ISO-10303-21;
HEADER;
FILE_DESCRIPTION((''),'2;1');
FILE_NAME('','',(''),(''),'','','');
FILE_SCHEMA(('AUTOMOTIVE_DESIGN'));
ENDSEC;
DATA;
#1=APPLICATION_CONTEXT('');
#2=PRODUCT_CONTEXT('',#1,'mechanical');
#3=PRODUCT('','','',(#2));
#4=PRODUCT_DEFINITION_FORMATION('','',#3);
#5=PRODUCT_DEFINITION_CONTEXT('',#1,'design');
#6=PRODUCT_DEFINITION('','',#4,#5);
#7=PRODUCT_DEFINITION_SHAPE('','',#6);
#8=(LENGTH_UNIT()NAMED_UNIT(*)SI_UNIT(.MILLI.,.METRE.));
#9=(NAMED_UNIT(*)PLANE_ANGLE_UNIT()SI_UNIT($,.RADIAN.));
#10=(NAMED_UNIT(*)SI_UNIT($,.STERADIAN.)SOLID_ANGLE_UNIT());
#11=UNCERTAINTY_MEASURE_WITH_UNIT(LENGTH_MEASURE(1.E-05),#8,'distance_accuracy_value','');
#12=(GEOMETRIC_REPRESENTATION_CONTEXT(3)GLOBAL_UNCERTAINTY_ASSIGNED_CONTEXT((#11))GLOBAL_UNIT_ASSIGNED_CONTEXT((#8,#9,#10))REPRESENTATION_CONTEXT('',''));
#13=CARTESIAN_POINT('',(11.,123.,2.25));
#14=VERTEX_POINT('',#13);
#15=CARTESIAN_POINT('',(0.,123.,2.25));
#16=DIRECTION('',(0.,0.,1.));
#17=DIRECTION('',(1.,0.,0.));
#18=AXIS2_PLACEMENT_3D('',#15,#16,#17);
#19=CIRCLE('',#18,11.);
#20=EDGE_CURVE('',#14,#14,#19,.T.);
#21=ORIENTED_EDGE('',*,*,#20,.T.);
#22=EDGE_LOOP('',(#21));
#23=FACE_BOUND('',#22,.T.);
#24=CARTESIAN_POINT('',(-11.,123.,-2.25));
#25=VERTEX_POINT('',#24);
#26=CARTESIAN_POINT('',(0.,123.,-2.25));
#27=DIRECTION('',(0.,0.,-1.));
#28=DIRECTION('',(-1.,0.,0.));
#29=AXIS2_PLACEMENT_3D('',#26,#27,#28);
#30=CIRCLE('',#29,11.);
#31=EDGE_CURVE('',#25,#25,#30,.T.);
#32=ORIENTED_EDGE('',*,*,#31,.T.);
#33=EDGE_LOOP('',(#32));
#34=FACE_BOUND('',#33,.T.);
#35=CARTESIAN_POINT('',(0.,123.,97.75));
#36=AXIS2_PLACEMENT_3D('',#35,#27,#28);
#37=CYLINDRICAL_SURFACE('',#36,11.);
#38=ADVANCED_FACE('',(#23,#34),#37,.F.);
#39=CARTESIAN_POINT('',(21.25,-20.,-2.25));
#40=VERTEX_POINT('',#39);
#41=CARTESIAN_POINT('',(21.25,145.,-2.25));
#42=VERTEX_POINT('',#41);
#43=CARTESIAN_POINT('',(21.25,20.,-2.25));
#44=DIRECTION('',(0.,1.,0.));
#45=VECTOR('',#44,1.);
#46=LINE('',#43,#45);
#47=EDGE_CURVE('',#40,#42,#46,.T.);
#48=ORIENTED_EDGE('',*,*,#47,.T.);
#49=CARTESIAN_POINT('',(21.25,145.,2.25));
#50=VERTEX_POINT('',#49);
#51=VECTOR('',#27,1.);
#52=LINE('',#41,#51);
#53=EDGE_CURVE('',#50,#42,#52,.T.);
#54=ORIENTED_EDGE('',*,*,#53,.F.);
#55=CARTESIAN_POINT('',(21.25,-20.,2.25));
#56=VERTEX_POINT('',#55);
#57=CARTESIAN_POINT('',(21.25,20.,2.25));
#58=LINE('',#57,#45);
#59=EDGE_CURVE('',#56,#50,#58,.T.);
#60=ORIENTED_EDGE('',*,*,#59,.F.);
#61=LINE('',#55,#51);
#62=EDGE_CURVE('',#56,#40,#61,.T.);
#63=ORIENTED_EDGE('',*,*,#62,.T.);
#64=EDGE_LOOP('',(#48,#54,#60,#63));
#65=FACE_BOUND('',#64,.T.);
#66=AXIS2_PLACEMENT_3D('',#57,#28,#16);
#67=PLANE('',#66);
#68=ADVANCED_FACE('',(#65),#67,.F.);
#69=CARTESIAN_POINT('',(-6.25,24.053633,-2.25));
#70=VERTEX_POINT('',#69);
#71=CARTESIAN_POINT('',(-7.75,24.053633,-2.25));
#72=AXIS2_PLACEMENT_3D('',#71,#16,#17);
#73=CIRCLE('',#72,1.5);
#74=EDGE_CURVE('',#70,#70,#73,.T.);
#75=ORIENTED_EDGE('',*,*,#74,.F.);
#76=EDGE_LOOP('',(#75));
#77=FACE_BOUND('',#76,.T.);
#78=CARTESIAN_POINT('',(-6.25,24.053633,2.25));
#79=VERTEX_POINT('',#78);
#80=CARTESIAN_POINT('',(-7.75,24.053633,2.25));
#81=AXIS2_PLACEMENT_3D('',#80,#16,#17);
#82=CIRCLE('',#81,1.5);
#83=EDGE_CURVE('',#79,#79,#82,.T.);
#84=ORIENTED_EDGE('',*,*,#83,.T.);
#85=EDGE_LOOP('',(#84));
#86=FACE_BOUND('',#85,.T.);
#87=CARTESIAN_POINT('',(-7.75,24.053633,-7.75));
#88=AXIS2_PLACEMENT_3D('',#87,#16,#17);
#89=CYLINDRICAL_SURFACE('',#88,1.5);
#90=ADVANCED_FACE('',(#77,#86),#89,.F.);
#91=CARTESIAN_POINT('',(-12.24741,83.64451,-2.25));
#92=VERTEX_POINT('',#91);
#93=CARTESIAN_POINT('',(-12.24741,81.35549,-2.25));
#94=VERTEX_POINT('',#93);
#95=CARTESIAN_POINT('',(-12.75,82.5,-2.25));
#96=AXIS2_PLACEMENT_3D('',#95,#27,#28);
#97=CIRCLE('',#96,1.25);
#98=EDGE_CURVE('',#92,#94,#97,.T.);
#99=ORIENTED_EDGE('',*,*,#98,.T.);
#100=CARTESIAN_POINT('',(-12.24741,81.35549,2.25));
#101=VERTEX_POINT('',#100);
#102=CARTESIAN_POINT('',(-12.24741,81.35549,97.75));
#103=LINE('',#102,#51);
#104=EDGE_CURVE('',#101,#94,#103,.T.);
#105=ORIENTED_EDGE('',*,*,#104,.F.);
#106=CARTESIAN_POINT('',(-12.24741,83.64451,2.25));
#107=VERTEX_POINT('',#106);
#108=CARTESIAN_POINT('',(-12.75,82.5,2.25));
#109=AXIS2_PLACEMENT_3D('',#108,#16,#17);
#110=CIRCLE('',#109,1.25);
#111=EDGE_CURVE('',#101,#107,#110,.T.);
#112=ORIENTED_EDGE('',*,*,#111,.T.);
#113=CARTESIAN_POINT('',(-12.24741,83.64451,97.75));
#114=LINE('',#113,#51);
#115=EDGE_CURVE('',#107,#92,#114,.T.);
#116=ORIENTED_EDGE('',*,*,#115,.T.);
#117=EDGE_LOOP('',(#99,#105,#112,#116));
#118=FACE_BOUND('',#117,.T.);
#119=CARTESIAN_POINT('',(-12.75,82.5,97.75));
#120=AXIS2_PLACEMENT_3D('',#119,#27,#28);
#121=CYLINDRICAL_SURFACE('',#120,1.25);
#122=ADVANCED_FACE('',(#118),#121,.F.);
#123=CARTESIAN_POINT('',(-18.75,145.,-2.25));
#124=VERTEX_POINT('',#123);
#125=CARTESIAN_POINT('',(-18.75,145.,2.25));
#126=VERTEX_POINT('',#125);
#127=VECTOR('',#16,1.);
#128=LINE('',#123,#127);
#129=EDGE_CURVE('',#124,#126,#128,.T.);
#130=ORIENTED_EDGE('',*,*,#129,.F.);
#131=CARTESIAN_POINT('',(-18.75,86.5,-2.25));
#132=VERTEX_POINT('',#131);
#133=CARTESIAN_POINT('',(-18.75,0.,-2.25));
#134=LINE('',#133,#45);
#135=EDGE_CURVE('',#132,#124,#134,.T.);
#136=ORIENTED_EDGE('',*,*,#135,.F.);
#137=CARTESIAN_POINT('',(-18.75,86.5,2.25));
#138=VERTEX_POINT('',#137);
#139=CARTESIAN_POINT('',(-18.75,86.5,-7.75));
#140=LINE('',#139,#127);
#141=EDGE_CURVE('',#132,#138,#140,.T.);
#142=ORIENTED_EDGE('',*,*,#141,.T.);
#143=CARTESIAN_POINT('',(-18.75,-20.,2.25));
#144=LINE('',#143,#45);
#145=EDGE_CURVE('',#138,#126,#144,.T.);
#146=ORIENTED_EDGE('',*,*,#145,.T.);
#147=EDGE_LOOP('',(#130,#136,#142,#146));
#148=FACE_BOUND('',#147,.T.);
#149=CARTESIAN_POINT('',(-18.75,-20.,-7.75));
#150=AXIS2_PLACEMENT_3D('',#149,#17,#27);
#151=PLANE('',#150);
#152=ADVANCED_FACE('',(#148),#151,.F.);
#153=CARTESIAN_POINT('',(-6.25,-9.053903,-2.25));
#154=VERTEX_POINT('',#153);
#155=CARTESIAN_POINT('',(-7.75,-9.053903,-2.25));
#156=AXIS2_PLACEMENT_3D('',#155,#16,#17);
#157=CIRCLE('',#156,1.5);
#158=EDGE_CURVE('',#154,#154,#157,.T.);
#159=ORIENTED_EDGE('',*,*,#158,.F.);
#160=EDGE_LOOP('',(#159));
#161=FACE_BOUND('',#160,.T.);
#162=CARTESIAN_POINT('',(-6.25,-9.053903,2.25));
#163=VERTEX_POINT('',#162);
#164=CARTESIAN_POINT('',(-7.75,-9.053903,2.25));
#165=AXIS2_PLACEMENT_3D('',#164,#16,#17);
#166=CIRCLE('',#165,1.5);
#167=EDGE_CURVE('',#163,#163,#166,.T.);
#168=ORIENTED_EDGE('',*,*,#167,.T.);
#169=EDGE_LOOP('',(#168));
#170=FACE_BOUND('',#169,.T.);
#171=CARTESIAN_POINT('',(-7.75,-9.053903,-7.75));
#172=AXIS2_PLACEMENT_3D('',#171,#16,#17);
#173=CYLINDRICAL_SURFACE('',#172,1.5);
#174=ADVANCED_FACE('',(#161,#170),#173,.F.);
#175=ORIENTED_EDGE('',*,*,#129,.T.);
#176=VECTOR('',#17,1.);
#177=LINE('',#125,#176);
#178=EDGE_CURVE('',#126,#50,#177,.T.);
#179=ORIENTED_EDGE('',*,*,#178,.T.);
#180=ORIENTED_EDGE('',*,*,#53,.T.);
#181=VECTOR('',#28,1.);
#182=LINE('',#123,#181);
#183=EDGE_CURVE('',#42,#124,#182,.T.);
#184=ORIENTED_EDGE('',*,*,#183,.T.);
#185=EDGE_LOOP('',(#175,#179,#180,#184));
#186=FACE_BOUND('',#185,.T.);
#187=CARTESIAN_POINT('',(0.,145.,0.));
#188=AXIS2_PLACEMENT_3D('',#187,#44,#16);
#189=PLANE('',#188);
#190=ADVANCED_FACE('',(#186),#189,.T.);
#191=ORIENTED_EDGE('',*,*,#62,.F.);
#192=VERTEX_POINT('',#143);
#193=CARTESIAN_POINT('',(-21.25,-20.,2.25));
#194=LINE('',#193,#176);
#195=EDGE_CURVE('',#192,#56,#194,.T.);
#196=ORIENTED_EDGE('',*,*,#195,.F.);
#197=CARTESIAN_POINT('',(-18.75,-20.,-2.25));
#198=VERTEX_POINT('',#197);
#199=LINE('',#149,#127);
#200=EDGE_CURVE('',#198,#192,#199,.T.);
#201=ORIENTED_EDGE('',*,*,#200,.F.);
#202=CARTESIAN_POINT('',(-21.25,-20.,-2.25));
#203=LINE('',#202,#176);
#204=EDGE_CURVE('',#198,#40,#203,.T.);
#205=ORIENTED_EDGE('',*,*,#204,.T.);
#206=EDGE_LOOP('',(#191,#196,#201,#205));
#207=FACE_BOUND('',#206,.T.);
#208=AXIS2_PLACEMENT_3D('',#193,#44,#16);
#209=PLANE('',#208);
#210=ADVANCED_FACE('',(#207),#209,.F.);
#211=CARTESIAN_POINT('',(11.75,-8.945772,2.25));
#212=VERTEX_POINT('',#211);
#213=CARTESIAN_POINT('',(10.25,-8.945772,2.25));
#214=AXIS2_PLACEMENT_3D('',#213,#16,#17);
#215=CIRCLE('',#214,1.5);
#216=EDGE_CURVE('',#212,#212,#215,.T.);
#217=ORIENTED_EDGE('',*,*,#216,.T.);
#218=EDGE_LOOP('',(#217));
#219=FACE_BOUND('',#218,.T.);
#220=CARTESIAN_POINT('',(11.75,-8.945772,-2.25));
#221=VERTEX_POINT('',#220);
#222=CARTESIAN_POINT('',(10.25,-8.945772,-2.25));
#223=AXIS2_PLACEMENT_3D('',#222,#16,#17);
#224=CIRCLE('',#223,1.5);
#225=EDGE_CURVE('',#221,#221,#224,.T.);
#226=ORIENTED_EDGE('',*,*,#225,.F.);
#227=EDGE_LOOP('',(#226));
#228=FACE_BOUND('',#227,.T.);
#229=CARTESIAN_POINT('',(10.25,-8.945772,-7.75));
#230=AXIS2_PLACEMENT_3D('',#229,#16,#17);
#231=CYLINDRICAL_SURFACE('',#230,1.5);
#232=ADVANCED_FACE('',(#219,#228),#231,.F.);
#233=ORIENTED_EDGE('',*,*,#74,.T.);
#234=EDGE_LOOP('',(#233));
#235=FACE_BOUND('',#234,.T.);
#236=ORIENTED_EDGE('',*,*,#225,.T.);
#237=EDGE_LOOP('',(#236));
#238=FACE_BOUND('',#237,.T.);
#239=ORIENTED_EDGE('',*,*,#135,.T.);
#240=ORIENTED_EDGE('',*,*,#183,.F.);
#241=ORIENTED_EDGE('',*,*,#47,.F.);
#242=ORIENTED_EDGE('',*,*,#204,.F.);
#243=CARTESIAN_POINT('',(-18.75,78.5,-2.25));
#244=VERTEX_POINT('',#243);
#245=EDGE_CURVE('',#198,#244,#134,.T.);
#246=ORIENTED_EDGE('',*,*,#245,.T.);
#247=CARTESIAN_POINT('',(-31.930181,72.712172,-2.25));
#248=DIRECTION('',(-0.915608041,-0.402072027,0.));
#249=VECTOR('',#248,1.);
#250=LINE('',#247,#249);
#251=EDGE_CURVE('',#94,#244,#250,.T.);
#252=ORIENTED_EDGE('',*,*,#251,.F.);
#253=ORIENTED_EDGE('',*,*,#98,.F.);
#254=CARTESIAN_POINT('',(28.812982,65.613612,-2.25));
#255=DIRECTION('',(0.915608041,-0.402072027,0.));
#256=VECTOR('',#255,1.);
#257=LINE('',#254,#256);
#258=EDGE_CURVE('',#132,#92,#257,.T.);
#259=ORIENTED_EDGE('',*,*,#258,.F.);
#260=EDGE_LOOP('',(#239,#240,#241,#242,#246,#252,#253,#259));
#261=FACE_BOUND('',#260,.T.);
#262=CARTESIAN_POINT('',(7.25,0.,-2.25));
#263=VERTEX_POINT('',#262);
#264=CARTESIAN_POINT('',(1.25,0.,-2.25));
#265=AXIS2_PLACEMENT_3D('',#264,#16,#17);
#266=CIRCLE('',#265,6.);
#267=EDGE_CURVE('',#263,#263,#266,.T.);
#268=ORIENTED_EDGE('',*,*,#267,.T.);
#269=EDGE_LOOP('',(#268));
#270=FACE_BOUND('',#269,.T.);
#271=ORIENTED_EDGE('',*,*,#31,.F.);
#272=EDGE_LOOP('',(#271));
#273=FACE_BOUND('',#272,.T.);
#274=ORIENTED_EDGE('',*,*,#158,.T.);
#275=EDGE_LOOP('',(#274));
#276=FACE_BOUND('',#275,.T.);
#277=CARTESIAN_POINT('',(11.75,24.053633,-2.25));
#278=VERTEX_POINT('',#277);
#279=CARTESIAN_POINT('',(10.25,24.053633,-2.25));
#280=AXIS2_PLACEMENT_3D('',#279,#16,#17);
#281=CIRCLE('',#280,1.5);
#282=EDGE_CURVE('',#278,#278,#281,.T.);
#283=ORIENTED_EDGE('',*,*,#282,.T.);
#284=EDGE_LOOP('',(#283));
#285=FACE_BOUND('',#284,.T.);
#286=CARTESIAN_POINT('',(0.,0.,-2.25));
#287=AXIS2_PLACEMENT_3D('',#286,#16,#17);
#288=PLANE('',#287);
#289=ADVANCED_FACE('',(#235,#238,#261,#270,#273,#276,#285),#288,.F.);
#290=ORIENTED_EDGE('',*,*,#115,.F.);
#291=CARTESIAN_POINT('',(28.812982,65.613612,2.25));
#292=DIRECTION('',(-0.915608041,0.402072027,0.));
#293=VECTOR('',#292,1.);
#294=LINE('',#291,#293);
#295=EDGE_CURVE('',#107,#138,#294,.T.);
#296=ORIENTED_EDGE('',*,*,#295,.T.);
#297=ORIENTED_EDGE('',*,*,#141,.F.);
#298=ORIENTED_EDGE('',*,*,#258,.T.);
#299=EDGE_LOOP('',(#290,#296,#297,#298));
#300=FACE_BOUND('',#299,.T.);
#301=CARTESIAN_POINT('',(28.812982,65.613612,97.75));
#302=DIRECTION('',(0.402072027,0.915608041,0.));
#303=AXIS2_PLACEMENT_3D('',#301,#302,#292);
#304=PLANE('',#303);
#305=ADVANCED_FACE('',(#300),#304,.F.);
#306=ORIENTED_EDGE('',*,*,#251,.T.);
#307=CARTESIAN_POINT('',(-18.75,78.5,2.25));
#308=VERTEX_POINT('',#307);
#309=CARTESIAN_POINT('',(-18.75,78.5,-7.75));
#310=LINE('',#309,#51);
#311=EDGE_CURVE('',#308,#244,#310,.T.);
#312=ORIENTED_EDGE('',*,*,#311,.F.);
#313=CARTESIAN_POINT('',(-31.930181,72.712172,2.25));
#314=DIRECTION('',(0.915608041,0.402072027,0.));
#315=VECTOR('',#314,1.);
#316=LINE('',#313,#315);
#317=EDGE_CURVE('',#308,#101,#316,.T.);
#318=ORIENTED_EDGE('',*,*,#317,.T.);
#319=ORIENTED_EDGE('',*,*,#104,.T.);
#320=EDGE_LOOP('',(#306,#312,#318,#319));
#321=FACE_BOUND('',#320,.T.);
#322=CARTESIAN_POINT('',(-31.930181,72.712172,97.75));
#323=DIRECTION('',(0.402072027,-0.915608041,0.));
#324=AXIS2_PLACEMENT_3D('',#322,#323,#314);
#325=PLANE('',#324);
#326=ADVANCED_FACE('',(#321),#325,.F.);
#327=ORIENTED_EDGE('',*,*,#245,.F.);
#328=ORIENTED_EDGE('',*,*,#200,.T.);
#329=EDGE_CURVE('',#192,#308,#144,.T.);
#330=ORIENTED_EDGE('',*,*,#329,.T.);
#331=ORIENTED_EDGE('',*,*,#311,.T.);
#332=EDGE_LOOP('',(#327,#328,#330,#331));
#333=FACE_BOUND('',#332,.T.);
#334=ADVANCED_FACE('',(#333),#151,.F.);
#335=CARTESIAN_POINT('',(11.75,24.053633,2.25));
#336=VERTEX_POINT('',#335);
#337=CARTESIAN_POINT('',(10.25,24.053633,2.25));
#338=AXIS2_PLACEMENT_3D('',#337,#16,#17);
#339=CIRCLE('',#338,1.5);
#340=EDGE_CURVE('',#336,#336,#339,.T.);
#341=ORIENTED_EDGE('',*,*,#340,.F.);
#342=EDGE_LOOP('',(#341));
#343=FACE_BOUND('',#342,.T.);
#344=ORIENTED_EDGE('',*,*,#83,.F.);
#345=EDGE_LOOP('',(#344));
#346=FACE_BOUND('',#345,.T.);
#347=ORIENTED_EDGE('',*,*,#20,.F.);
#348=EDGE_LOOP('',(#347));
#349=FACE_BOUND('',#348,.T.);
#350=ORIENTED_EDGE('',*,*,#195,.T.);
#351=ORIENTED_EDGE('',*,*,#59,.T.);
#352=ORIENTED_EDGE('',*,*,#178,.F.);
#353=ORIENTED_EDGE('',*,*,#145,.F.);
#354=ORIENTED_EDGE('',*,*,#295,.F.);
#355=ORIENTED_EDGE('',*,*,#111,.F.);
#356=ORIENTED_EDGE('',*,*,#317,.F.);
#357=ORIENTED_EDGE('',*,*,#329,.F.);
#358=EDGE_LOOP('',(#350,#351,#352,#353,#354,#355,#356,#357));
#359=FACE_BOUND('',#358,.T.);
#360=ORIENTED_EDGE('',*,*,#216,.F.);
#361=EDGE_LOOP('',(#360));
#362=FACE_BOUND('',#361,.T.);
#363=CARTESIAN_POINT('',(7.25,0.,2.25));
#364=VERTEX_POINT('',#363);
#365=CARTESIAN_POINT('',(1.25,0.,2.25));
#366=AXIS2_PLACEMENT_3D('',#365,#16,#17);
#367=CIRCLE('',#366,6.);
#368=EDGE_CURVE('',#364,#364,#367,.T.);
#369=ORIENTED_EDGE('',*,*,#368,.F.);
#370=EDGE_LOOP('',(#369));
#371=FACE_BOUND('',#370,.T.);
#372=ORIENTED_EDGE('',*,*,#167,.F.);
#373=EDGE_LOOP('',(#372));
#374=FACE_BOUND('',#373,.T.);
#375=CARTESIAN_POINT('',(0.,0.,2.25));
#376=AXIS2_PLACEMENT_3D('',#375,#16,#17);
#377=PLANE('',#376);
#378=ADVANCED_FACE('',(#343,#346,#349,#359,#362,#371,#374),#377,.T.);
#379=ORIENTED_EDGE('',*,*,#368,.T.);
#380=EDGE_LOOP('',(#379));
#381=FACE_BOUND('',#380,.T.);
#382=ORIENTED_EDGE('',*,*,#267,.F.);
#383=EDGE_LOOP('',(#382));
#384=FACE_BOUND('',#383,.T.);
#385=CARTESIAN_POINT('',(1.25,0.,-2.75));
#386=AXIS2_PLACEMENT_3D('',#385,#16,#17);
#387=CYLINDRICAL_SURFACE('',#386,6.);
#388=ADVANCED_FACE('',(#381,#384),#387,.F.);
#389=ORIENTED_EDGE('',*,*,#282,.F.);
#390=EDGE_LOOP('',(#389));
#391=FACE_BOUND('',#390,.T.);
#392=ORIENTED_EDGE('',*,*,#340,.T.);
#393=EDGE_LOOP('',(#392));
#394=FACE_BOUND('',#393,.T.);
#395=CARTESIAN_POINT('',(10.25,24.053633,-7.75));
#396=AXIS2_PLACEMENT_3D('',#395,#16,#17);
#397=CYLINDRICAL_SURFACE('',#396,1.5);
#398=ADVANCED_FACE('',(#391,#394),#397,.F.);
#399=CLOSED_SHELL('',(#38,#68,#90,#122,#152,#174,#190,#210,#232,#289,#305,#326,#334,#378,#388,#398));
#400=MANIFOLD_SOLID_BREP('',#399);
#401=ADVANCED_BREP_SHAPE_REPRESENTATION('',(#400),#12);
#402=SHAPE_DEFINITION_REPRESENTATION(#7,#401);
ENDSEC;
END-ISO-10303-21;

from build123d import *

# Parameters (mm, degrees)
SKETCH1_W           = 42.5
SKETCH1_H           = 40
BOSS_EXTRUDE1_DEPTH = 2.25
SKETCH3_R           = 6
CUT_EXTRUDE2_DEPTH  = 5
SKETCH4_W           = 42.5
SKETCH4_H           = 4.5
BOSS_EXTRUDE2_DEPTH = 15
SKETCH7_R           = 1.5
CUT_EXTRUDE3_DEPTH  = 10
SKETCH8_W           = 2.5
SKETCH8_H           = 55
CUT_EXTRUDE4_DEPTH  = 10
SKETCH9_W           = 40
SKETCH9_H           = 4.5
BOSS_EXTRUDE3_DEPTH = 110
SKETCH11_R          = 11
CUT_EXTRUDE5_DEPTH  = 100
CUT_EXTRUDE6_DEPTH  = 100


with BuildPart() as part:
    # Sketch1 → Boss-Extrude1 (new, symmetric)
    with BuildSketch(Plane.XY):
        Rectangle(SKETCH1_W, SKETCH1_H)
    extrude(amount=BOSS_EXTRUDE1_DEPTH, both=True)

    # Sketch3 → Cut-Extrude2 (cut, symmetric)
    with BuildSketch(Plane.XY.offset(2.25)):
        with Locations((1.25, 0)):
            Circle(SKETCH3_R)
    extrude(amount=CUT_EXTRUDE2_DEPTH, both=True, mode=Mode.SUBTRACT)

    # Sketch4 → Boss-Extrude2 (add)
    with BuildSketch(Plane(origin=(0, 20, 0), x_dir=(1, 0, 0), z_dir=(0, 1, 0))):
        Rectangle(SKETCH4_W, SKETCH4_H)
    extrude(amount=BOSS_EXTRUDE2_DEPTH)

    # Sketch7 → Cut-Extrude3 (cut)
    with BuildSketch(Plane.XY.offset(2.25)):
        with Locations((-7.75, 24.053632735)):
            Circle(SKETCH7_R)
        with Locations((10.25, 24.053632735)):
            Circle(SKETCH7_R)
        with Locations((10.25, -8.945771811)):
            Circle(SKETCH7_R)
        with Locations((-7.75, -9.053903396)):
            Circle(SKETCH7_R)
    extrude(amount=-CUT_EXTRUDE3_DEPTH, mode=Mode.SUBTRACT)

    # Sketch8 → Cut-Extrude4 (cut)
    with BuildSketch(Plane.XY.offset(2.25)):
        with Locations((-20, 7.5)):
            Rectangle(SKETCH8_W, SKETCH8_H)
    extrude(amount=-CUT_EXTRUDE4_DEPTH, mode=Mode.SUBTRACT)

    # Sketch9 → Boss-Extrude3 (add)
    with BuildSketch(Plane(origin=(0, 35, 0), x_dir=(1, 0, 0), z_dir=(0, 1, 0))):
        with Locations((1.25, 0)):
            Rectangle(SKETCH9_W, SKETCH9_H)
    extrude(amount=BOSS_EXTRUDE3_DEPTH)

    # Sketch11 → Cut-Extrude5 (cut)
    with BuildSketch(Plane(origin=(0, 0, -2.25), x_dir=(-1, 0, 0), z_dir=(0, 0, -1))):
        with Locations((0, 123)):
            Circle(SKETCH11_R)
    extrude(amount=-CUT_EXTRUDE5_DEPTH, mode=Mode.SUBTRACT)

    # Sketch12 → Cut-Extrude6 (cut)
    with BuildSketch(Plane(origin=(0, 0, -2.25), x_dir=(-1, 0, 0), z_dir=(0, 0, -1))):
        with BuildLine():
            Line((18.75, 78.5), (18.75, 86.5))
            Line((18.75, 86.5), (12.247409999, 83.644510066))
            ThreePointArc((12.247409999, 83.644510066), (11.5, 82.499999945), (12.2474101, 81.35548989))
            Line((12.2474101, 81.35548989), (18.75, 78.5))
        make_face()
    extrude(amount=-CUT_EXTRUDE6_DEPTH, mode=Mode.SUBTRACT)


solid = part.part
